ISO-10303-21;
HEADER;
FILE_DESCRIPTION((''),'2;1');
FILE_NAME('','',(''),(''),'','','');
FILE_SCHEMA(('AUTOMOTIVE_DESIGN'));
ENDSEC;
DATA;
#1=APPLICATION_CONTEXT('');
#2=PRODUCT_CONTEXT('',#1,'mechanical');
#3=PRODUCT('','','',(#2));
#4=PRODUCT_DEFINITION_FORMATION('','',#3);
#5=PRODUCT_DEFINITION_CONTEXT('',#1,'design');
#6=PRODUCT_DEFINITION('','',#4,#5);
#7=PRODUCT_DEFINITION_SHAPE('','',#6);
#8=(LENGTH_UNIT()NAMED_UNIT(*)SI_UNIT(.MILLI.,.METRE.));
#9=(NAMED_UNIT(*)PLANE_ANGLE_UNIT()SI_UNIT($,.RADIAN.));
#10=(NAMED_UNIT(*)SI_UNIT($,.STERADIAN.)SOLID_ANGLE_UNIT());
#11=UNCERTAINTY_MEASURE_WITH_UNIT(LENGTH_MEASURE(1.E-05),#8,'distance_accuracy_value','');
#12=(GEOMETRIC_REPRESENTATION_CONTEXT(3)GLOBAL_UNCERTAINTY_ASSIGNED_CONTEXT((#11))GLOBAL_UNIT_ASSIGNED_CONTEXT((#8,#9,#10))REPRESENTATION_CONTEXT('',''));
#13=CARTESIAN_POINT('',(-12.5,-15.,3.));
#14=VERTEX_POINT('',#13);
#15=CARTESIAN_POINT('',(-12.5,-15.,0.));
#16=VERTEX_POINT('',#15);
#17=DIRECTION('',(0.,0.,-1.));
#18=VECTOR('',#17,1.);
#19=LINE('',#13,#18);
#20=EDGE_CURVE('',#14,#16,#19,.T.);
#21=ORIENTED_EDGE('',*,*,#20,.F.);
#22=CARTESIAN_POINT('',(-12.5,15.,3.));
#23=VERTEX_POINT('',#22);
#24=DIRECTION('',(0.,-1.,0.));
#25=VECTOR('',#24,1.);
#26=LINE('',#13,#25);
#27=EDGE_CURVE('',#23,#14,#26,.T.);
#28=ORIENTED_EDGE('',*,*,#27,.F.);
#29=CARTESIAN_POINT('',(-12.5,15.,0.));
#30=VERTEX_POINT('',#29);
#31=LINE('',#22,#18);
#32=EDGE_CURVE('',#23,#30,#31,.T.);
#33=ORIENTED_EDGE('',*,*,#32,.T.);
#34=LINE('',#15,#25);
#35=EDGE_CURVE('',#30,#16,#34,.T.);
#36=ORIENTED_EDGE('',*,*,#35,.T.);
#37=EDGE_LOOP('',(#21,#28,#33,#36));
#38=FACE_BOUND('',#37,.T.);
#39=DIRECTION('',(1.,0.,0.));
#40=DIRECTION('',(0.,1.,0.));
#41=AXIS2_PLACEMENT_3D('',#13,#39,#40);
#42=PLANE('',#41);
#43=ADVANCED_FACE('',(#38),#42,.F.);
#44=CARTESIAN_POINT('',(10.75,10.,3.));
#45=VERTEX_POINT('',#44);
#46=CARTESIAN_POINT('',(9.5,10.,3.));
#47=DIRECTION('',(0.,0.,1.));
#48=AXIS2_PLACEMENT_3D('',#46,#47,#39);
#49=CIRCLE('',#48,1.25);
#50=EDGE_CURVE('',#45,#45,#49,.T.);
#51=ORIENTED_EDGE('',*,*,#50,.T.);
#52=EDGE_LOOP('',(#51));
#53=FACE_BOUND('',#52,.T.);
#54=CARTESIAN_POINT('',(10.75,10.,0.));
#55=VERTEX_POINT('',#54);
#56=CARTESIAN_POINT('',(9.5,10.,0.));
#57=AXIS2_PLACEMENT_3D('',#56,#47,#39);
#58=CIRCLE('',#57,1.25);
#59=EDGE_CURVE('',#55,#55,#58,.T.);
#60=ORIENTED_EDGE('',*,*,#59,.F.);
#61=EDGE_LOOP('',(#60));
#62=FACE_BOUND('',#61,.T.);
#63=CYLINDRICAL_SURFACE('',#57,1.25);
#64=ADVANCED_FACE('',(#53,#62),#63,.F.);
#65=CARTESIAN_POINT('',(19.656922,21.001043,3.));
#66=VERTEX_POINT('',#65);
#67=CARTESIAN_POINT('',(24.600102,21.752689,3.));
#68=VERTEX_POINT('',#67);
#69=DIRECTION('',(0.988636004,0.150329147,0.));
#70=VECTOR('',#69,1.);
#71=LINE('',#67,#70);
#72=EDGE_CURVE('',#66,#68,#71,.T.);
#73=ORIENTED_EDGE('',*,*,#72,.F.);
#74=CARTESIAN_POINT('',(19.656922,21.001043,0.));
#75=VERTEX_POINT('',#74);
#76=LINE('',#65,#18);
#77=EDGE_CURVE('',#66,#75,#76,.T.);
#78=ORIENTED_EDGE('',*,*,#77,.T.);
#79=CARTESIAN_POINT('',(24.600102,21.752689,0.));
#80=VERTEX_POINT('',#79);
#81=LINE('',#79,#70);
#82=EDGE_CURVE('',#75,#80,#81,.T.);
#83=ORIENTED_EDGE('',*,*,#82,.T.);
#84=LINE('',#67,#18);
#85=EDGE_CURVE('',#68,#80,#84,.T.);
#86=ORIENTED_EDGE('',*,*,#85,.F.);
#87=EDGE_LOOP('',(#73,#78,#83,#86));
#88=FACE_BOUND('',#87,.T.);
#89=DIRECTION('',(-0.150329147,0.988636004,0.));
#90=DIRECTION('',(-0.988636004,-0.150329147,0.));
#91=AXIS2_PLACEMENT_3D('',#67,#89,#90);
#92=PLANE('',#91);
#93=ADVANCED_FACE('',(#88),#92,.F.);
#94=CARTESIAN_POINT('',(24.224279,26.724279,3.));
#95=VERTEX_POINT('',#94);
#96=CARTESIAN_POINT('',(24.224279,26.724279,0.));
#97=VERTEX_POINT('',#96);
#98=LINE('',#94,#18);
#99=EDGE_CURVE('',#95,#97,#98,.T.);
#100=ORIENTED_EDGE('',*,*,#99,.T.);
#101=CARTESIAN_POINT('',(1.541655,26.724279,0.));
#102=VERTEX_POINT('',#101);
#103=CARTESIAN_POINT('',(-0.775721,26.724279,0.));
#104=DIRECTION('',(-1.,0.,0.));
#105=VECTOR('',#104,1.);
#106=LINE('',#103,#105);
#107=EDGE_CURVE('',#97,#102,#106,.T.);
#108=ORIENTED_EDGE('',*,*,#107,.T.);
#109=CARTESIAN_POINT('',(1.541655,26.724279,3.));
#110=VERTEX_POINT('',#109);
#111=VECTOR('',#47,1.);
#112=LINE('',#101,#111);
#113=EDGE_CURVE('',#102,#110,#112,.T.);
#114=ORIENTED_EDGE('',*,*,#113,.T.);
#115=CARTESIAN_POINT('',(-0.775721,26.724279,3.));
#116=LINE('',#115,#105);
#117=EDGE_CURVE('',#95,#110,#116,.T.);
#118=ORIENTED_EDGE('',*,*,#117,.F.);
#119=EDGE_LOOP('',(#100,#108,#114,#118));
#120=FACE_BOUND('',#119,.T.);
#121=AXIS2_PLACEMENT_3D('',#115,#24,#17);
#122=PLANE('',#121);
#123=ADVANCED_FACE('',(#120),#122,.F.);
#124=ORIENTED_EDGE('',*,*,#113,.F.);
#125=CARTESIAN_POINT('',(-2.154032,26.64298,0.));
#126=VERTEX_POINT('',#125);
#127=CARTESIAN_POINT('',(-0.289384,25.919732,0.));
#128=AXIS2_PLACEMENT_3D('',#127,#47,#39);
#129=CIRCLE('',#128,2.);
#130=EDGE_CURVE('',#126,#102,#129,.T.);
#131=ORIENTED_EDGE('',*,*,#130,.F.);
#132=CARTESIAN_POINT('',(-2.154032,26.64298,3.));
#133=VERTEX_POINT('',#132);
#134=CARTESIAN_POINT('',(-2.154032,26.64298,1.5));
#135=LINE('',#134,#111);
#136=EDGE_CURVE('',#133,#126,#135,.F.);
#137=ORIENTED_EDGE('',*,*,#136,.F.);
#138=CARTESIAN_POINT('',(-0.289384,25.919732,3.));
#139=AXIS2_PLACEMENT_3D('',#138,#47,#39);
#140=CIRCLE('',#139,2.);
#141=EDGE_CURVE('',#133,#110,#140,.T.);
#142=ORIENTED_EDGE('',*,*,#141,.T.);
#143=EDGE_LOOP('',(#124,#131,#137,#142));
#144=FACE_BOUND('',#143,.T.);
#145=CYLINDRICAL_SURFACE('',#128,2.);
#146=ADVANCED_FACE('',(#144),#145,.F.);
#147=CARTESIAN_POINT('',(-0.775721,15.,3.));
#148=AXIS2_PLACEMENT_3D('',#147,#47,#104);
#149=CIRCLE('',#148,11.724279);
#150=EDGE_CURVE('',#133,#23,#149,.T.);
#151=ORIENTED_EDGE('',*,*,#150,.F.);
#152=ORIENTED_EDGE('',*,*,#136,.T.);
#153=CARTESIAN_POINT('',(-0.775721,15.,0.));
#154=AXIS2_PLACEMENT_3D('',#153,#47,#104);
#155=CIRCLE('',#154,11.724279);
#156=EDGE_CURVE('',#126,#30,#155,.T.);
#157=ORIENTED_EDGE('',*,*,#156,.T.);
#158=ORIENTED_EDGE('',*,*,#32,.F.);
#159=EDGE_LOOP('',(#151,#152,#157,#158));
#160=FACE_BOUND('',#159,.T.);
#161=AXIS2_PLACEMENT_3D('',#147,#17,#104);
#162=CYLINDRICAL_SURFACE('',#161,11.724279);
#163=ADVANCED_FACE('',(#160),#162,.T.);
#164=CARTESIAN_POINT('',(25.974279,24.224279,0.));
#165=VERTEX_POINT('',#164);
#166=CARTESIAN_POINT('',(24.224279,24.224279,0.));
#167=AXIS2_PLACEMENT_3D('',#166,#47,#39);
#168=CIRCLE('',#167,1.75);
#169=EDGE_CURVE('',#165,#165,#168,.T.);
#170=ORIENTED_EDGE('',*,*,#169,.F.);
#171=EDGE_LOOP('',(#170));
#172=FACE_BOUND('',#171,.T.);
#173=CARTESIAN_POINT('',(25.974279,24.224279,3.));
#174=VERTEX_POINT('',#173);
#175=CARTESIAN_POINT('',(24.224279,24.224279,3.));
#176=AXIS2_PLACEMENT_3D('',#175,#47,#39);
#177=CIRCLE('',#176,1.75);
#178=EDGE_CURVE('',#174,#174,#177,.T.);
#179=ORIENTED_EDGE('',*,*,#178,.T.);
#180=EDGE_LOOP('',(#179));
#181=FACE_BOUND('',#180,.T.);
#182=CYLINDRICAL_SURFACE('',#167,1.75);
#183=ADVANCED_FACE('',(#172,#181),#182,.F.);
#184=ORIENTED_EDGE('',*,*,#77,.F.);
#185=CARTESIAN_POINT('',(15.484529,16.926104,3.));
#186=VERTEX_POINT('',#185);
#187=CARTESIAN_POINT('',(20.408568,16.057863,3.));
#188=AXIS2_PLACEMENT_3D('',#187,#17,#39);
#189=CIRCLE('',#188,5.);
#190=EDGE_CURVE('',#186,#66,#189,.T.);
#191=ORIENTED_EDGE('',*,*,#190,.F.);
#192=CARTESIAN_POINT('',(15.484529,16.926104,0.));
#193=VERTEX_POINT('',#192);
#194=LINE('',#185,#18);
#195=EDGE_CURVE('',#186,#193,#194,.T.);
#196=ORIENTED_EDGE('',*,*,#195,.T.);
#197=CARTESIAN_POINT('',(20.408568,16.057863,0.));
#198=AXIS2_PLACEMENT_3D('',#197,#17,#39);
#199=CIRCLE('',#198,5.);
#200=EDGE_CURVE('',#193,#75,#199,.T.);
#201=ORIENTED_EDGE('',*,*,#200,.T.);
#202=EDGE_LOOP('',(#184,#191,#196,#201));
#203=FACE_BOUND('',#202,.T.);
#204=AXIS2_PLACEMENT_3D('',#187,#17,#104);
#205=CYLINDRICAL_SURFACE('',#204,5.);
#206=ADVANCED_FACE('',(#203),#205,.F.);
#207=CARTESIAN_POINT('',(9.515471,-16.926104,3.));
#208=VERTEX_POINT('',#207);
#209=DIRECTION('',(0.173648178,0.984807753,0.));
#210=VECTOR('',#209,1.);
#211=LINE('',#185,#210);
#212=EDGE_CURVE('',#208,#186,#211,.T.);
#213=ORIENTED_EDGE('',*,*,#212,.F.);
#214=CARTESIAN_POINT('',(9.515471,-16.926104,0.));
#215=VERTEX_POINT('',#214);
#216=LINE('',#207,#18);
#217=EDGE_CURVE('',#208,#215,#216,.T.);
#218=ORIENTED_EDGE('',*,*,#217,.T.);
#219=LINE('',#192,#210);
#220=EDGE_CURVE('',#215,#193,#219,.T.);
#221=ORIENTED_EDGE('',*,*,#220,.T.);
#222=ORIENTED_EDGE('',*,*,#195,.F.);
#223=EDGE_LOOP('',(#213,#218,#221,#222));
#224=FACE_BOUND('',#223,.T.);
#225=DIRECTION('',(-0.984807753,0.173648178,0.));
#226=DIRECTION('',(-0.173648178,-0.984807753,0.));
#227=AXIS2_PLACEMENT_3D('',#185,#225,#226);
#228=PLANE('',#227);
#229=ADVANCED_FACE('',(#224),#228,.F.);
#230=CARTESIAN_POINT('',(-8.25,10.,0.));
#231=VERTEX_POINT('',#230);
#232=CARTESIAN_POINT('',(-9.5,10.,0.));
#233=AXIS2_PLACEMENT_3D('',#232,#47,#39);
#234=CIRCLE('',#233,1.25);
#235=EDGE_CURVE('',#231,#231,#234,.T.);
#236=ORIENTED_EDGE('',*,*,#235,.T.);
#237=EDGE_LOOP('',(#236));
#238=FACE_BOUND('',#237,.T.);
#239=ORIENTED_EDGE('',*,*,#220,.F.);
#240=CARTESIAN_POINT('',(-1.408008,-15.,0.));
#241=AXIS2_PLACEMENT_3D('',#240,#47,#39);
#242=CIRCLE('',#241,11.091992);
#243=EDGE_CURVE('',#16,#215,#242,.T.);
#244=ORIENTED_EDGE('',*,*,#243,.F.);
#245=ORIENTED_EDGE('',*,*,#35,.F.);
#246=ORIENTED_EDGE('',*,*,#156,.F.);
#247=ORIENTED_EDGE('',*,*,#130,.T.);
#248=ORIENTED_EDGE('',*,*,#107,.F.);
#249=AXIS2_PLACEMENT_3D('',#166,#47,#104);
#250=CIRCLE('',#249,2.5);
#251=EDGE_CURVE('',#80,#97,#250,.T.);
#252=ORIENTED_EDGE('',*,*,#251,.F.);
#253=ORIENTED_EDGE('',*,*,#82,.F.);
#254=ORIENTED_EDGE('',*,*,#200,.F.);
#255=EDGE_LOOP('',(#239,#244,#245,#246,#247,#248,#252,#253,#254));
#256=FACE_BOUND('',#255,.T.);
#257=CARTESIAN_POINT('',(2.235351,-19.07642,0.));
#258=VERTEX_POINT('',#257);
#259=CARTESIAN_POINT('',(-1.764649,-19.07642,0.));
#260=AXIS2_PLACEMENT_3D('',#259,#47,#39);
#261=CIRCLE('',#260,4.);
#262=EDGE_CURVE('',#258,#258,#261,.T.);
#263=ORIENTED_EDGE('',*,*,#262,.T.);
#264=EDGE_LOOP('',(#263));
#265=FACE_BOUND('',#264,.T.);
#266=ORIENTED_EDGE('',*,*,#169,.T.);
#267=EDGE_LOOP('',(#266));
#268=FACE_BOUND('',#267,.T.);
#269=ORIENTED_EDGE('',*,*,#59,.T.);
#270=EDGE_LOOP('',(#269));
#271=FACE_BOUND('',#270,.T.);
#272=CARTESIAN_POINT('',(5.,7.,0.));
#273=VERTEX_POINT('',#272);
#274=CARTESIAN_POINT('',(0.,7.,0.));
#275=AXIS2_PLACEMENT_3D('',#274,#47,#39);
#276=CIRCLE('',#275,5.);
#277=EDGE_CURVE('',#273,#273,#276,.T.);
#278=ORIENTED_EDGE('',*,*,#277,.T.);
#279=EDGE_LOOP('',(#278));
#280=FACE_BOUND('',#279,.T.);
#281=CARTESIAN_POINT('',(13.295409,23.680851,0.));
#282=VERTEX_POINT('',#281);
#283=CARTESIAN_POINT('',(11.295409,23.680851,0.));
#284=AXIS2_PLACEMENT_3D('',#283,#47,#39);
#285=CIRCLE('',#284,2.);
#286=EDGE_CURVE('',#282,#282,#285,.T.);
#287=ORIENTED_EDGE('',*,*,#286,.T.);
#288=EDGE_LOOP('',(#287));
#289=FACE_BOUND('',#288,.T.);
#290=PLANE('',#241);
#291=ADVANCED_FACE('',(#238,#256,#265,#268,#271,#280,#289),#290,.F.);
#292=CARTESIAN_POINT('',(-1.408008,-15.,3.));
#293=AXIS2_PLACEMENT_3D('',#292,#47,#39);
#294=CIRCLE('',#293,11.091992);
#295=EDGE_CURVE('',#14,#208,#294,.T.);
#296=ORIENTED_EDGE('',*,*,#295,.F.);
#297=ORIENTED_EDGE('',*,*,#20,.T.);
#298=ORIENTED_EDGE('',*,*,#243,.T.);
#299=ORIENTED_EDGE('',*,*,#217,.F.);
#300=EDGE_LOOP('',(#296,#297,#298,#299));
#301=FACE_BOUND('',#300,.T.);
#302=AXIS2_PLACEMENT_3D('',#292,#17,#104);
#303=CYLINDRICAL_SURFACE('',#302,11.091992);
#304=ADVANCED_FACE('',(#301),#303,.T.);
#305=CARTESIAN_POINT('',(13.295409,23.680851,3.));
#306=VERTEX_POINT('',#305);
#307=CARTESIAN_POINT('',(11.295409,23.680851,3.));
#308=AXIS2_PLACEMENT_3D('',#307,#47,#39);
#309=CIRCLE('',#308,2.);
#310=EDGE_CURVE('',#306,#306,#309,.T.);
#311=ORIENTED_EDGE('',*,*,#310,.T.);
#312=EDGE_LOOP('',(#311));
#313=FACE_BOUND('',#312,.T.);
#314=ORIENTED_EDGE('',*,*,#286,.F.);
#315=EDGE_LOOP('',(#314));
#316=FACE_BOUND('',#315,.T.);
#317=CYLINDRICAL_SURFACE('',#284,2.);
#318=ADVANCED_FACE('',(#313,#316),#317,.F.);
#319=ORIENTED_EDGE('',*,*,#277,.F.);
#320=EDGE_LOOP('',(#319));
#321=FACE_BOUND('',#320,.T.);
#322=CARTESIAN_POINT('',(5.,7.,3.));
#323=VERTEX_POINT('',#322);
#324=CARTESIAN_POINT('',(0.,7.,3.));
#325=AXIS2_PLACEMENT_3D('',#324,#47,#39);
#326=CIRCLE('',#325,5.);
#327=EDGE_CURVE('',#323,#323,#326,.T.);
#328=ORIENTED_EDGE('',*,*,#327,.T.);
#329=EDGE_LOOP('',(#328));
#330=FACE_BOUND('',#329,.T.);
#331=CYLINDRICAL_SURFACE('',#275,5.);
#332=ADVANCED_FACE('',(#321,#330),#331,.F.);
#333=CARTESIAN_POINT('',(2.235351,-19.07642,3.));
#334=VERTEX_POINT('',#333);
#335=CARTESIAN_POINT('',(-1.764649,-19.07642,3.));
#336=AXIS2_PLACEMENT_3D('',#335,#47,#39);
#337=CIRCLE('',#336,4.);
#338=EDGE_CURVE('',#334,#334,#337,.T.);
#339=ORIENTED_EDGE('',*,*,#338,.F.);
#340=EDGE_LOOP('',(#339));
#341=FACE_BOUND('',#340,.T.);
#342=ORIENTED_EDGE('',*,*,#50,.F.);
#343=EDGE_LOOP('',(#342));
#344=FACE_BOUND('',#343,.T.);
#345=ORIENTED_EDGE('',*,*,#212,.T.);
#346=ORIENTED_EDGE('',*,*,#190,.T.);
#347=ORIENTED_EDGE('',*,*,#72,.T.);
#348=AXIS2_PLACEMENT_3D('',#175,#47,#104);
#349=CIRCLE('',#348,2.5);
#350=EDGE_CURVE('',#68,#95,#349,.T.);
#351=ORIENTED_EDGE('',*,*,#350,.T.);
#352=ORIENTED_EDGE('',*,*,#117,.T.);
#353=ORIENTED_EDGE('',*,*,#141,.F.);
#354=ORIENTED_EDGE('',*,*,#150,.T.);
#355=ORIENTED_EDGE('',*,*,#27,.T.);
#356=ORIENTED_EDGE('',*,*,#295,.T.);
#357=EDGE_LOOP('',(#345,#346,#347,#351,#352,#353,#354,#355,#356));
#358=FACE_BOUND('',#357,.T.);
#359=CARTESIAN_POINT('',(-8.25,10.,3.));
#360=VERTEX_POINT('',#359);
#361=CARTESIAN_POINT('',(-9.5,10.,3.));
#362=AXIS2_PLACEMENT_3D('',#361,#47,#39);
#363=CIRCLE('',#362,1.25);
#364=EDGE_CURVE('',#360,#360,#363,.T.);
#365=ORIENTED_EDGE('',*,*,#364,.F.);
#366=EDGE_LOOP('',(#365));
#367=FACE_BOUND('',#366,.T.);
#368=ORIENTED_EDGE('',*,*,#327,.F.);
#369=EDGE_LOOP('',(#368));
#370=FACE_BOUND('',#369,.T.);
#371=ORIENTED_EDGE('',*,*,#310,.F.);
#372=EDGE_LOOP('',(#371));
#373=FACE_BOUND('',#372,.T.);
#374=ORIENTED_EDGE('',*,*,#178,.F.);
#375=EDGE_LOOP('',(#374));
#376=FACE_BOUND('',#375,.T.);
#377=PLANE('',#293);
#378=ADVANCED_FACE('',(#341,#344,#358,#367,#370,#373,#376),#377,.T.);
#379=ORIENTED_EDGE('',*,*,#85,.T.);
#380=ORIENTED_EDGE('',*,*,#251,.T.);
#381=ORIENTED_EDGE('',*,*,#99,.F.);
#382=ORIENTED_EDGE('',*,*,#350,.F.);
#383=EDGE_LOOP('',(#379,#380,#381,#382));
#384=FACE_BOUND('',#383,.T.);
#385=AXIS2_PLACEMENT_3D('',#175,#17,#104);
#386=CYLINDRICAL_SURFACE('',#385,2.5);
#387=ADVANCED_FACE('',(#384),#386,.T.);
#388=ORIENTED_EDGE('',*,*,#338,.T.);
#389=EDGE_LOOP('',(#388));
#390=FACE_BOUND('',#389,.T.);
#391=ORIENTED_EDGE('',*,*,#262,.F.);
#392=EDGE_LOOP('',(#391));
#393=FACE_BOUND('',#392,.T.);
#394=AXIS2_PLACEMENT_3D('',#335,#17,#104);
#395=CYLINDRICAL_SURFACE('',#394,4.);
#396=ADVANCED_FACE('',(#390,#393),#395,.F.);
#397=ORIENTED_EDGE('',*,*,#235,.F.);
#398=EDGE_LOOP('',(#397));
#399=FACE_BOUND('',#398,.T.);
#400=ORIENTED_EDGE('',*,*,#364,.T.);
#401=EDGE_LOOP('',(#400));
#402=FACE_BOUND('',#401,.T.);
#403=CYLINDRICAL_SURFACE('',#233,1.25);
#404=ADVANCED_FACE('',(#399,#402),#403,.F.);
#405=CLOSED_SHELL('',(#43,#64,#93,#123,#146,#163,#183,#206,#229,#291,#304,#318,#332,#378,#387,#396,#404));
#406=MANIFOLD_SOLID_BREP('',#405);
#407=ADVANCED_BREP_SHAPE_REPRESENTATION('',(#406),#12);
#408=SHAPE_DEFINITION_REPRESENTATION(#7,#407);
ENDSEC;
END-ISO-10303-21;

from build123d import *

# Parameters (mm, degrees)
SKETCH3_R           = 4
BOSS_EXTRUDE4_DEPTH = 3
SKETCH5_R           = 1.25
SKETCH5_R_2         = 5
CUT_EXTRUDE2_DEPTH  = 38.912717898
SKETCH6_R           = 1.75
CUT_EXTRUDE3_DEPTH  = 38.912717898
SKETCH8_R           = 2
CUT_EXTRUDE4_DEPTH  = 38.912717898


with BuildPart() as part:
    # Sketch3 → Boss-Extrude4 (new body)
    with BuildSketch(Plane.XY):
        with BuildLine():
            Line((-12.5, -15), (-12.5, 15))
            ThreePointArc((-12.5, 15), (-9.066038179, 23.290317201), (-0.775720978, 26.724279022))
            Line((-0.775720978, 26.724279022), (24.224279022, 26.724279022))
            ThreePointArc((24.224279022, 26.724279022), (26.717166406, 24.412726597), (24.600101889, 21.752689013))
            Line((24.600101889, 21.752689013), (19.656921871, 21.001043278))
            ThreePointArc((19.656921871, 21.001043278), (16.915054922, 19.634924783), (15.48452884, 16.926104149))
            Line((15.48452884, 16.926104149), (9.51547116, -16.926104149))
            ThreePointArc((9.51547116, -16.926104149), (-2.374739058, -26.049783342), (-12.5, -15))
        make_face()
        with Locations((-1.764648859, -19.076420455)):
            Circle(SKETCH3_R, mode=Mode.SUBTRACT)
    extrude(amount=BOSS_EXTRUDE4_DEPTH)

    # Sketch5 → Cut-Extrude2 (cut, through all)
    with BuildSketch(Plane.XY.offset(3)):
        with Locations((-9.5, 10)):
            Circle(SKETCH5_R)
        with Locations((9.5, 10)):
            Circle(SKETCH5_R)
        with Locations((0, 7)):
            Circle(SKETCH5_R_2)
    extrude(amount=-CUT_EXTRUDE2_DEPTH, mode=Mode.SUBTRACT)

    # Sketch6 → Cut-Extrude3 (cut, through all)
    with BuildSketch(Plane.XY.offset(3)):
        with Locations((24.224279022, 24.224279022)):
            Circle(SKETCH6_R)
    extrude(amount=-CUT_EXTRUDE3_DEPTH, mode=Mode.SUBTRACT)

    # Sketch8 → Cut-Extrude4 (cut, through all)
    with BuildSketch(Plane.XY.offset(3)):
        with Locations((11.295409365, 23.680851427)):
            Circle(SKETCH8_R)
        with Locations((-0.289384278, 25.919731906)):
            Circle(SKETCH8_R)
    extrude(amount=-CUT_EXTRUDE4_DEPTH, mode=Mode.SUBTRACT)


solid = part.part
